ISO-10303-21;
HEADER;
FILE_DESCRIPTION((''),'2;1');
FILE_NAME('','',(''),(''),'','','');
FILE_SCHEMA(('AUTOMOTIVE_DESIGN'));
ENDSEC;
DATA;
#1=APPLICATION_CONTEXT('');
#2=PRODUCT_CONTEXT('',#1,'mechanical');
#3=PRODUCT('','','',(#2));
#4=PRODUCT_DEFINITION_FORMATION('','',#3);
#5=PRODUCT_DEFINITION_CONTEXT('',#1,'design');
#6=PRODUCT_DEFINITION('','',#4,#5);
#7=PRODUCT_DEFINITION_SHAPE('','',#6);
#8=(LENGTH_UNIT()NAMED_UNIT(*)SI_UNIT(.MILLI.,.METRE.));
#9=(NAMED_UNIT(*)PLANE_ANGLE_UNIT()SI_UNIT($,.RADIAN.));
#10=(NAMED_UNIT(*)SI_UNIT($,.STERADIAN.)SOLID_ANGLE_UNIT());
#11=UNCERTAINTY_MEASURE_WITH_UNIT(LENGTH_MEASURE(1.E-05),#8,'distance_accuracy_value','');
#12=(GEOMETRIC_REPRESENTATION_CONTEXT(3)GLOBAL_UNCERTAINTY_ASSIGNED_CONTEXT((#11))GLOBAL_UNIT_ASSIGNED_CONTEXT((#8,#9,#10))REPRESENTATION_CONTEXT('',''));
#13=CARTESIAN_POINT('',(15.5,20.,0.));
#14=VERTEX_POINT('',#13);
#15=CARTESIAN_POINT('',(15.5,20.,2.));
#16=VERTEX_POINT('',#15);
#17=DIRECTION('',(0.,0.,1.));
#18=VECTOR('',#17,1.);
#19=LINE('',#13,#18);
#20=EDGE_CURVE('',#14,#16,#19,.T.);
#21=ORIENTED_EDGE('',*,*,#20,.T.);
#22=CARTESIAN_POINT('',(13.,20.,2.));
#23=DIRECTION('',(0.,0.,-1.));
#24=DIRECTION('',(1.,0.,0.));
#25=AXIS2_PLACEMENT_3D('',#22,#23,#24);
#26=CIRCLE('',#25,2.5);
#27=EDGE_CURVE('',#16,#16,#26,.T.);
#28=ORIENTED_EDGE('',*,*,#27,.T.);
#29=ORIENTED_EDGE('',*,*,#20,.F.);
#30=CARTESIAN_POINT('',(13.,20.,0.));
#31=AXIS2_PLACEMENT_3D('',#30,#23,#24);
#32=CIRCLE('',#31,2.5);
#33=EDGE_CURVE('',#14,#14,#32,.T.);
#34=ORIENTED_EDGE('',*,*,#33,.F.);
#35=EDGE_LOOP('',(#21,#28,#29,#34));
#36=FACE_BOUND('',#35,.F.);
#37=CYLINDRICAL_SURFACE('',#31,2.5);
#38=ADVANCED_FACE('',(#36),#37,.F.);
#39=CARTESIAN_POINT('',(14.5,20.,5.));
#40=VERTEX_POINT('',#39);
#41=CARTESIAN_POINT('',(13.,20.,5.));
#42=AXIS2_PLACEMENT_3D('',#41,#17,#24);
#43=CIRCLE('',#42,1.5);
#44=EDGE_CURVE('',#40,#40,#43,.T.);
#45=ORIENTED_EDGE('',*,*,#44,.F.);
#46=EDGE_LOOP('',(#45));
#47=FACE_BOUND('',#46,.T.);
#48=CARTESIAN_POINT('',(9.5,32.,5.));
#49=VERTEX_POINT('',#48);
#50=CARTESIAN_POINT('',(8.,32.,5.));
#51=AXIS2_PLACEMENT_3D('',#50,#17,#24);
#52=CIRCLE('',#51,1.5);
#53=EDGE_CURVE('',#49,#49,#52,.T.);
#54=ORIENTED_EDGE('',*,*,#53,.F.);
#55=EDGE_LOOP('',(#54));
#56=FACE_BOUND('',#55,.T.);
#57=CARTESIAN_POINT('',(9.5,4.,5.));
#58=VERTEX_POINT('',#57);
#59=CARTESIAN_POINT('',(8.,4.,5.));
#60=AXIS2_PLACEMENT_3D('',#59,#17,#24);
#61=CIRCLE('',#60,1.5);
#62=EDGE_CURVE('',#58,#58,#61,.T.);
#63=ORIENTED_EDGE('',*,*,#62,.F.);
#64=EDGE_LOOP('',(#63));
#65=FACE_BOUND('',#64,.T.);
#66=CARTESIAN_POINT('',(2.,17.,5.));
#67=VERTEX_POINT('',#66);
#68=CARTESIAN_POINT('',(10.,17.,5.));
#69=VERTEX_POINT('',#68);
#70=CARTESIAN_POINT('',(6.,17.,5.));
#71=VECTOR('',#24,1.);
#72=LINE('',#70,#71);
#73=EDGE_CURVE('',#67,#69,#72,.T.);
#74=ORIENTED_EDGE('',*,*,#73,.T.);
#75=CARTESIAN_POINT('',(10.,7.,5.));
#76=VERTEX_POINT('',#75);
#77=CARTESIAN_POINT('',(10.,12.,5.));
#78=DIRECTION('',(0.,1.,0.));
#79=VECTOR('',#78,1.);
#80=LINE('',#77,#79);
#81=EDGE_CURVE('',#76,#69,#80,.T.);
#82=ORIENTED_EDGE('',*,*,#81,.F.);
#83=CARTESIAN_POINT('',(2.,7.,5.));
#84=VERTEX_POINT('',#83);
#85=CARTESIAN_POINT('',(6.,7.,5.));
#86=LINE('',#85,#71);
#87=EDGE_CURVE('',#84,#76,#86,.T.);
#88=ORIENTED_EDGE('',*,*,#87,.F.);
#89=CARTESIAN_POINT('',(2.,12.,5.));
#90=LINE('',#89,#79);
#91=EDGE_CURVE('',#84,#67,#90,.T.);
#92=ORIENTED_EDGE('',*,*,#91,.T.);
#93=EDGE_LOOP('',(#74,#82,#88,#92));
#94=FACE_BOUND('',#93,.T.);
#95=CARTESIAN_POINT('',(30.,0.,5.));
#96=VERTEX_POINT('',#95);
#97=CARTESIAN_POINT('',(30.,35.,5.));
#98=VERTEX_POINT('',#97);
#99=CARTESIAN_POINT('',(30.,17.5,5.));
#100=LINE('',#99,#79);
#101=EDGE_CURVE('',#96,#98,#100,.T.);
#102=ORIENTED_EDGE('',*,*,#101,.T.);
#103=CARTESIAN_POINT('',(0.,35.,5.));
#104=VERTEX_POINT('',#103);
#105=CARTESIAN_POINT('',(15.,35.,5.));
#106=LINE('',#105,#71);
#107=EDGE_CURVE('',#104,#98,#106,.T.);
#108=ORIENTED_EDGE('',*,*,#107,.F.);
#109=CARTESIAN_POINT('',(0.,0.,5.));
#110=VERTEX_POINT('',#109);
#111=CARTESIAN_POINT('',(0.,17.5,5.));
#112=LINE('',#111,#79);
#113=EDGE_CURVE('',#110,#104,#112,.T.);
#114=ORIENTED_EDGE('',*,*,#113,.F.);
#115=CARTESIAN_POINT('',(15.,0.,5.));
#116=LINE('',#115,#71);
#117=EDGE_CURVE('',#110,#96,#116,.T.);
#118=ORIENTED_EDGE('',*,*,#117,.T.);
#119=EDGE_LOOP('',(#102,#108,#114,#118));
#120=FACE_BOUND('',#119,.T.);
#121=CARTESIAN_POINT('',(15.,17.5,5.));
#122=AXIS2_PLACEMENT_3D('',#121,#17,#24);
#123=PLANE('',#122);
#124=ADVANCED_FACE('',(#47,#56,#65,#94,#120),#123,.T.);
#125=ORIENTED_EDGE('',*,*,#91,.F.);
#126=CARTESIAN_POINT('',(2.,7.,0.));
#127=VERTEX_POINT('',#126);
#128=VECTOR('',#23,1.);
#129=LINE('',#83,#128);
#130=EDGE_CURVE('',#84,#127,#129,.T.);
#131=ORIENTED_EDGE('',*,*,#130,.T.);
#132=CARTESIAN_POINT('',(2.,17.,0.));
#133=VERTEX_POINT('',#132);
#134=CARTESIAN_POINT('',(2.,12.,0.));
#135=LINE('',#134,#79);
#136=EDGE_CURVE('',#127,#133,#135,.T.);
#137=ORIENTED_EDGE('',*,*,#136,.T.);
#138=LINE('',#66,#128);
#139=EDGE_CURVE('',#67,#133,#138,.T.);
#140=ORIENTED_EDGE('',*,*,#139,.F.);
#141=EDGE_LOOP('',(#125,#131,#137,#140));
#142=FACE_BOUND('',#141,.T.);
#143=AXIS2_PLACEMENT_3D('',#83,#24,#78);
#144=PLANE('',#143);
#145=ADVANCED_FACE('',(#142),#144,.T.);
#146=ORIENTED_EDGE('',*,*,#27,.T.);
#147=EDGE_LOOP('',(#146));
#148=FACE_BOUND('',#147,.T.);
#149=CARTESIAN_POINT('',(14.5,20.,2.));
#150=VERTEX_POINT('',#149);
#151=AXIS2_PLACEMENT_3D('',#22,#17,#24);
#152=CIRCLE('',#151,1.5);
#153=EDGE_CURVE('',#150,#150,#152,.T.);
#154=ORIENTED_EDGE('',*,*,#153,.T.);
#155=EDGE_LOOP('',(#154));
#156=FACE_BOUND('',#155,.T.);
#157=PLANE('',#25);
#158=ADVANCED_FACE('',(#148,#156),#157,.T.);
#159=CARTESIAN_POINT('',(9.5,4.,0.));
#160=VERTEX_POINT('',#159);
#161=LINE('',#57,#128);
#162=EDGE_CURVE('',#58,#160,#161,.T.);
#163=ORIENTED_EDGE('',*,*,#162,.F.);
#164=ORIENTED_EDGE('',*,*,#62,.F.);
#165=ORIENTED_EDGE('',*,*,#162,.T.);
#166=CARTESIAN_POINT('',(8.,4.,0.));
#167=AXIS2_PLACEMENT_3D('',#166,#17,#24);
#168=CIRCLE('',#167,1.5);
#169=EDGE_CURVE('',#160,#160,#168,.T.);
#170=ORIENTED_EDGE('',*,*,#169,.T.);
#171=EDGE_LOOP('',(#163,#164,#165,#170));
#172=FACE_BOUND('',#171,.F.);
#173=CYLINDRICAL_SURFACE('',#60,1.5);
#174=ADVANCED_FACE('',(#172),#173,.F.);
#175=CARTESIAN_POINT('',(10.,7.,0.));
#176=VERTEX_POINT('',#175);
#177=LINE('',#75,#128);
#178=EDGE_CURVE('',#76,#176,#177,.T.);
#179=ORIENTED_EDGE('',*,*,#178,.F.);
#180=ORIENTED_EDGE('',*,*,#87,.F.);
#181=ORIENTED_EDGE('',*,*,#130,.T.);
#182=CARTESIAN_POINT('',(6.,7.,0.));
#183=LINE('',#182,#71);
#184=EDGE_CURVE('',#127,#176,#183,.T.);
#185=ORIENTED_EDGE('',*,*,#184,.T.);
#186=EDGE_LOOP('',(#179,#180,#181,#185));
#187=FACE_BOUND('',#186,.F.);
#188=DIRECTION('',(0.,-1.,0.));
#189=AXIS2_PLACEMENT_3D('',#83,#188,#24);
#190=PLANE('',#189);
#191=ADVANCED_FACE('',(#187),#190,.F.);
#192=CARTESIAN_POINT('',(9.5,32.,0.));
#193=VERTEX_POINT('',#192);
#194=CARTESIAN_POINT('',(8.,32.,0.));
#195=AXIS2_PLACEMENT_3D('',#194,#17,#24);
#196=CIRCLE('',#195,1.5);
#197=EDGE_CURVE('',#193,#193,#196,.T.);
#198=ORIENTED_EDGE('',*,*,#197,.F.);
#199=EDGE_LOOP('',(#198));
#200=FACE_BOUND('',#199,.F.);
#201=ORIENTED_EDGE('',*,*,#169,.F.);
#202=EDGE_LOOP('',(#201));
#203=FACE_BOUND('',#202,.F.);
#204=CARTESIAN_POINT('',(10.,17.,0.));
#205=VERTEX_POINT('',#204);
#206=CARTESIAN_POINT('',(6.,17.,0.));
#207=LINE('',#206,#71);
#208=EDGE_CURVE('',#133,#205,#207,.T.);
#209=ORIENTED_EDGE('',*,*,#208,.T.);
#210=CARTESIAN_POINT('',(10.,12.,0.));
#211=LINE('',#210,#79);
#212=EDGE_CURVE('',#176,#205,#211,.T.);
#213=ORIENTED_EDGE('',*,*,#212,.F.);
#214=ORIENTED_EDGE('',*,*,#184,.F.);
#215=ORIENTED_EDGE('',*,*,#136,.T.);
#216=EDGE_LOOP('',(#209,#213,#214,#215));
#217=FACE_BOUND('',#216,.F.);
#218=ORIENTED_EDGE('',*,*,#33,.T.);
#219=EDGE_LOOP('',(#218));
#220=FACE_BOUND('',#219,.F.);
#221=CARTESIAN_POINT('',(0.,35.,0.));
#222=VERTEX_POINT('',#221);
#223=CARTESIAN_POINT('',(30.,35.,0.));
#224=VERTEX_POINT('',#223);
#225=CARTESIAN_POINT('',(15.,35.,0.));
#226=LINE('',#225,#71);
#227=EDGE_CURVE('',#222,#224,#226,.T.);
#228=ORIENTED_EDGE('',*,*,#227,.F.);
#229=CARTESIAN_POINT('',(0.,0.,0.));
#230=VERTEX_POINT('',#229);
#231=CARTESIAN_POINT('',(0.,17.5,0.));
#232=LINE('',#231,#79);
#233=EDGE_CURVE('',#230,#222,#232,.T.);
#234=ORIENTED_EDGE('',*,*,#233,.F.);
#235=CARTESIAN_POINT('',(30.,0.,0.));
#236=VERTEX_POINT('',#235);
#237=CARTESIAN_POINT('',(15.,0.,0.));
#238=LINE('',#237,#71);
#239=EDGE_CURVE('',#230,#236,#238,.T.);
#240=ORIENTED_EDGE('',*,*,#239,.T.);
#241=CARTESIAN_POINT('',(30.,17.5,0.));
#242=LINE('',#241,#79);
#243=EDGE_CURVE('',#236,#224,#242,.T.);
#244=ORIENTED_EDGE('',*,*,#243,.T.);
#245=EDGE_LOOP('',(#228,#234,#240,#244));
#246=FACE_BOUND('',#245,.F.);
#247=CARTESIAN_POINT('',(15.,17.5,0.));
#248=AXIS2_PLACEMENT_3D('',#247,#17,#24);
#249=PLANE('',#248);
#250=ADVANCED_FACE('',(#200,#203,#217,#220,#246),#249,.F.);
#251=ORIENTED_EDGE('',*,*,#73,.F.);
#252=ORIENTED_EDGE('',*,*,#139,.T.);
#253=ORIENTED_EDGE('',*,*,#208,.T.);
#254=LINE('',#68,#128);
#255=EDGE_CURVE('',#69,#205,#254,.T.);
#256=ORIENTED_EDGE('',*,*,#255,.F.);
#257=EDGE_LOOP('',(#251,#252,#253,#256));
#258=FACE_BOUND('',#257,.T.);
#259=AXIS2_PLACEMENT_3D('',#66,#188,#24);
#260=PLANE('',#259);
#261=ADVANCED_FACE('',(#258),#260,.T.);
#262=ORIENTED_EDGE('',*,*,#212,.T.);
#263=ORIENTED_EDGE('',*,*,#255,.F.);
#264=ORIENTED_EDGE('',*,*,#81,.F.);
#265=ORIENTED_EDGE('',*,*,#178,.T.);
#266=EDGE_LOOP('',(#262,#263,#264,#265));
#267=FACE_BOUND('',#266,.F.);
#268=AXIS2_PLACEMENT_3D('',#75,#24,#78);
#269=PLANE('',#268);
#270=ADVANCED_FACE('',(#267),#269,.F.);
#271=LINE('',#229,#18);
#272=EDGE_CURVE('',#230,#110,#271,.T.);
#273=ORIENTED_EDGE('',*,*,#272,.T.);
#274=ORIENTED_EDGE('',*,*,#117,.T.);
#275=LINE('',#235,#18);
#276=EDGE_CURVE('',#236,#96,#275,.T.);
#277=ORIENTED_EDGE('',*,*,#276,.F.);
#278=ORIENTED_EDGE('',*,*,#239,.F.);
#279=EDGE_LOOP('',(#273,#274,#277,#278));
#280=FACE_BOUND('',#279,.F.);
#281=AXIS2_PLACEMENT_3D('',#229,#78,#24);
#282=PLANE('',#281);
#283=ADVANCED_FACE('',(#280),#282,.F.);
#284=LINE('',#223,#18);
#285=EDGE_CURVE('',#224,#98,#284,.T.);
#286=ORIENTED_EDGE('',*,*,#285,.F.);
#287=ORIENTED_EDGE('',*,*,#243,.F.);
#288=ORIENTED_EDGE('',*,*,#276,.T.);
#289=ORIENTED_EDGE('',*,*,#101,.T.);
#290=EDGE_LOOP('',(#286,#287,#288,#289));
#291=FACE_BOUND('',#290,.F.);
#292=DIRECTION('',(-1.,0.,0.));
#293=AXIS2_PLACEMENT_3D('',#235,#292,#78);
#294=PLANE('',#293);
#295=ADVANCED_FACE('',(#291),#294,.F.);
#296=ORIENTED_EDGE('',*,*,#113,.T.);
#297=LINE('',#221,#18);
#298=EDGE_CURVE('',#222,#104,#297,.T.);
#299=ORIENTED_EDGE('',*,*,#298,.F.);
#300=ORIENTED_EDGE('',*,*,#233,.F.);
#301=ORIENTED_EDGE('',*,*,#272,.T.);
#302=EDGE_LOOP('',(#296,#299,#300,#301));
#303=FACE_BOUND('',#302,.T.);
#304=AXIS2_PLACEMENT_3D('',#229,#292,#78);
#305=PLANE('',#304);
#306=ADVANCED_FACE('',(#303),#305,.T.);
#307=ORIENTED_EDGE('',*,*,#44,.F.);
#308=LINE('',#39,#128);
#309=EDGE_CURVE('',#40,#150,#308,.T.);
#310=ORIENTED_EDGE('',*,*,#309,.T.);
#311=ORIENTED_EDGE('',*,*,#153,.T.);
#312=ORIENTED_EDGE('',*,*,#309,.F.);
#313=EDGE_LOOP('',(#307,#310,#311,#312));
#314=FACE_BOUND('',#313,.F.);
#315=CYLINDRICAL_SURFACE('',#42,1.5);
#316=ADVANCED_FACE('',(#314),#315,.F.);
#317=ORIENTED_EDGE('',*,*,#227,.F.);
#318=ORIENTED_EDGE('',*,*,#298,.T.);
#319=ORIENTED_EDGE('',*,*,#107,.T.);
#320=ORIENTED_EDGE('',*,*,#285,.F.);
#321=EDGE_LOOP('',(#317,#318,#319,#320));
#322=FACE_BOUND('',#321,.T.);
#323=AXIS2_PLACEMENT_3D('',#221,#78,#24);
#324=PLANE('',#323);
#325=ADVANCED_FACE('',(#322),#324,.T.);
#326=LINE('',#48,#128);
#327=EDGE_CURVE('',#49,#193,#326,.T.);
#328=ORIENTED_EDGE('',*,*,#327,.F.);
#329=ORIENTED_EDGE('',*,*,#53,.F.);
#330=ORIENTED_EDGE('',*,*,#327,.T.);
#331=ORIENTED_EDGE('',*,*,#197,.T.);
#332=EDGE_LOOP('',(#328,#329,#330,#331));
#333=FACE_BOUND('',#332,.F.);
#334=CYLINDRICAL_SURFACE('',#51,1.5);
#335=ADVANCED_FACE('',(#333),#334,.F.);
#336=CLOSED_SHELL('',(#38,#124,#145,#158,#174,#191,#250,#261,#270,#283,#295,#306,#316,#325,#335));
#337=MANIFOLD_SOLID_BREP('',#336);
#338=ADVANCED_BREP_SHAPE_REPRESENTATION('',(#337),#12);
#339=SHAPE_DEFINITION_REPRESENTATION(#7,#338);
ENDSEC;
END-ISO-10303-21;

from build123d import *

# Parameters (mm, degrees)
SKETCH_W        = 30
SKETCH_H        = 35
PAD_DEPTH       = 5
SKETCH001_R     = 1.5
SKETCH001_W     = 8
SKETCH001_H     = 10
POCKET_DEPTH    = 5
SKETCH002_R     = 2.5
POCKET001_DEPTH = 2


with BuildPart() as part:
    # Sketch → Pad (new body)
    with BuildSketch(Plane.XY):
        with Locations((15, 17.5)):
            Rectangle(SKETCH_W, SKETCH_H)
    extrude(amount=PAD_DEPTH)

    # Sketch001 → Pocket (cut)
    with BuildSketch(Plane.XY.offset(5)):
        with Locations((8, 32)):
            Circle(SKETCH001_R)
        with Locations((8, 4)):
            Circle(SKETCH001_R)
        with Locations((13, 20)):
            Circle(SKETCH001_R)
        with Locations((6, 12)):
            Rectangle(SKETCH001_W, SKETCH001_H)
    extrude(amount=-POCKET_DEPTH, mode=Mode.SUBTRACT)

    # Sketch002 → Pocket001 (cut)
    with BuildSketch(Plane(origin=(0, 0, 0), x_dir=(1, 0, 0), z_dir=(0, 0, -1))):
        with Locations((13, -20)):
            Circle(SKETCH002_R)
    extrude(amount=-POCKET001_DEPTH, mode=Mode.SUBTRACT)


solid = part.part
